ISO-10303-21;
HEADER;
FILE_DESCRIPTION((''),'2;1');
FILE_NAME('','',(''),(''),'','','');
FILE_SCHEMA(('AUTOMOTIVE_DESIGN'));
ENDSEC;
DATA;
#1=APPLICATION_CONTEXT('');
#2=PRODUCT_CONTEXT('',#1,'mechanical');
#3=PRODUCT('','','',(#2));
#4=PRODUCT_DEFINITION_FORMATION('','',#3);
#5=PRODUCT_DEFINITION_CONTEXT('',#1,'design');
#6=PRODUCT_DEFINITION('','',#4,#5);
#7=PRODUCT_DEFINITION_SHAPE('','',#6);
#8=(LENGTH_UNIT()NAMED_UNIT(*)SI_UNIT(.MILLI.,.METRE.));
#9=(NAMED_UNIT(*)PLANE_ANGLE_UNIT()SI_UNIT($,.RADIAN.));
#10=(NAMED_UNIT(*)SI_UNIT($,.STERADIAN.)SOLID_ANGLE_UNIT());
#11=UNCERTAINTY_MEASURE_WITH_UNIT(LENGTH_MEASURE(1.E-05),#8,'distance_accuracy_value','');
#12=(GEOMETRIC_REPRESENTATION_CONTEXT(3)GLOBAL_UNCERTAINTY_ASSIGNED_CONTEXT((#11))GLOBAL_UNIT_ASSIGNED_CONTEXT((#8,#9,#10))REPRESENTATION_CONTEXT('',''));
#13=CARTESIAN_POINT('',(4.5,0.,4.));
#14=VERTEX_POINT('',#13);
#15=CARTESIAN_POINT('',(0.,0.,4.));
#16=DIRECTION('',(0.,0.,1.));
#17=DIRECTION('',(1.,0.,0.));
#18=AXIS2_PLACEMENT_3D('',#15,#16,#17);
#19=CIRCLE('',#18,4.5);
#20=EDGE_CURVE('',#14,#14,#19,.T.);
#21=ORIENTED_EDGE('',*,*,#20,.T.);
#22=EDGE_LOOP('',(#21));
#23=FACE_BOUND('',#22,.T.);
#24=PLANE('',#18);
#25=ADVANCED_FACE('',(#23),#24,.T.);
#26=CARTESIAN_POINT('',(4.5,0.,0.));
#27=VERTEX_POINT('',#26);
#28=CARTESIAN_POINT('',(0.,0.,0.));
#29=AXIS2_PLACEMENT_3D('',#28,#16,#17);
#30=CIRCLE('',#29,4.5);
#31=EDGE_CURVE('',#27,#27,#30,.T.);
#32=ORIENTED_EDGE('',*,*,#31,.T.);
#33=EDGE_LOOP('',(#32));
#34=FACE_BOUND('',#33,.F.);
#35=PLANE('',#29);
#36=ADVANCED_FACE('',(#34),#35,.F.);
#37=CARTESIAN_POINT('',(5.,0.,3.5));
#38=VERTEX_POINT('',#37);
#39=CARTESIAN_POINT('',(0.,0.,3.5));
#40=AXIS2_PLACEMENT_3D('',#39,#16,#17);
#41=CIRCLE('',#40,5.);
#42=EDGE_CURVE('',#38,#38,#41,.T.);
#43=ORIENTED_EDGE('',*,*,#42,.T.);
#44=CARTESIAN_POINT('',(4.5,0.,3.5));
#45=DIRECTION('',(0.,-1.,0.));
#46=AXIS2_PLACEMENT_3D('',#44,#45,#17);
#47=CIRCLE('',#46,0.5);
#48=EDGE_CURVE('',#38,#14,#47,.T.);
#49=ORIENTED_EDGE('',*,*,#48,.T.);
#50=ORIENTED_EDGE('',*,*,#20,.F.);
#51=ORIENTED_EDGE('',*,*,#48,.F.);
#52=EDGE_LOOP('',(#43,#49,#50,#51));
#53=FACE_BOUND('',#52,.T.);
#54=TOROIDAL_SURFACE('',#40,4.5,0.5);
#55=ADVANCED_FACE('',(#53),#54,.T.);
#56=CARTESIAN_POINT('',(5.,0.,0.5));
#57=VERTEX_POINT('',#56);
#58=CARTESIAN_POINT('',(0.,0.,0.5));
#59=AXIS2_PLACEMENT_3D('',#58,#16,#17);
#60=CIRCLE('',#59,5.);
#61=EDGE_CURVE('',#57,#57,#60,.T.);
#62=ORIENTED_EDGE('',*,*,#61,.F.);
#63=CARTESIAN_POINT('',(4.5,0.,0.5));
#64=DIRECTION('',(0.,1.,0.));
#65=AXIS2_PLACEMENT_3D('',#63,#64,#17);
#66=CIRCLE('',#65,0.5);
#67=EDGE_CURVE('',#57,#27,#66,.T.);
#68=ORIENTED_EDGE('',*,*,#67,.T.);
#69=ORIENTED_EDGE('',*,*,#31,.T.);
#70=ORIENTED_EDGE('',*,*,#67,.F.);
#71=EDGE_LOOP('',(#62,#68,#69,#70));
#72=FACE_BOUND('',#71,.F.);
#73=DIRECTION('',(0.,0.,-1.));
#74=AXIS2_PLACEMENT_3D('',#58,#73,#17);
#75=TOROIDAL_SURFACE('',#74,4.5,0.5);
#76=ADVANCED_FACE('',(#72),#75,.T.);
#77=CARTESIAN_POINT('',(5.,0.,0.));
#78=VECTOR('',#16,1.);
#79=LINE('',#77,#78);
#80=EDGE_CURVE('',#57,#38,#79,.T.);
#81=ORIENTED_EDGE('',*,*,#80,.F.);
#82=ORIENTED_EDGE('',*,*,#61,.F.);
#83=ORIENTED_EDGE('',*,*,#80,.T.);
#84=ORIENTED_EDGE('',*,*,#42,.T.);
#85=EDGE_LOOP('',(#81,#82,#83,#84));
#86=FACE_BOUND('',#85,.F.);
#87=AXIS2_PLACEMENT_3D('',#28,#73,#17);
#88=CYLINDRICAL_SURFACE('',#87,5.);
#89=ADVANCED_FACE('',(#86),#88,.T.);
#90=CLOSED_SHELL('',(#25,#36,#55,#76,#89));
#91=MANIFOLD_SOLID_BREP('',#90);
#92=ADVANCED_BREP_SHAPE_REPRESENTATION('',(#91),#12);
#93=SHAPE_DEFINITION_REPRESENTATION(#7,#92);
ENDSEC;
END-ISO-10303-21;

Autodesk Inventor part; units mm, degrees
ref_plane "YZ Plane" through (0, 0, 0) normal (1, 0, 0) x (0, 1, 0)
ref_plane "XZ Plane" through (0, 0, 0) normal (0, 1, 0) x (-1, 0, 0)
ref_plane "XY Plane" through (0, 0, 0) normal (0, 0, 1) x (1, 0, 0)
sketch "Skizze1" plane through (0, 0, 0) normal (0, 0, 1) x (1, 0, 0)
  circle A0 centre (0, 0) radius 5
  dimension "d0" = 10
extrude "Extrusion1" add sketch "Skizze1" along normal blind 4
fillet "Rundung1" radius 0.5 2 edges at (-5, 0, 4) (-5, 0, 0)
properties part number "Magnet-RatrigEnclosure"
